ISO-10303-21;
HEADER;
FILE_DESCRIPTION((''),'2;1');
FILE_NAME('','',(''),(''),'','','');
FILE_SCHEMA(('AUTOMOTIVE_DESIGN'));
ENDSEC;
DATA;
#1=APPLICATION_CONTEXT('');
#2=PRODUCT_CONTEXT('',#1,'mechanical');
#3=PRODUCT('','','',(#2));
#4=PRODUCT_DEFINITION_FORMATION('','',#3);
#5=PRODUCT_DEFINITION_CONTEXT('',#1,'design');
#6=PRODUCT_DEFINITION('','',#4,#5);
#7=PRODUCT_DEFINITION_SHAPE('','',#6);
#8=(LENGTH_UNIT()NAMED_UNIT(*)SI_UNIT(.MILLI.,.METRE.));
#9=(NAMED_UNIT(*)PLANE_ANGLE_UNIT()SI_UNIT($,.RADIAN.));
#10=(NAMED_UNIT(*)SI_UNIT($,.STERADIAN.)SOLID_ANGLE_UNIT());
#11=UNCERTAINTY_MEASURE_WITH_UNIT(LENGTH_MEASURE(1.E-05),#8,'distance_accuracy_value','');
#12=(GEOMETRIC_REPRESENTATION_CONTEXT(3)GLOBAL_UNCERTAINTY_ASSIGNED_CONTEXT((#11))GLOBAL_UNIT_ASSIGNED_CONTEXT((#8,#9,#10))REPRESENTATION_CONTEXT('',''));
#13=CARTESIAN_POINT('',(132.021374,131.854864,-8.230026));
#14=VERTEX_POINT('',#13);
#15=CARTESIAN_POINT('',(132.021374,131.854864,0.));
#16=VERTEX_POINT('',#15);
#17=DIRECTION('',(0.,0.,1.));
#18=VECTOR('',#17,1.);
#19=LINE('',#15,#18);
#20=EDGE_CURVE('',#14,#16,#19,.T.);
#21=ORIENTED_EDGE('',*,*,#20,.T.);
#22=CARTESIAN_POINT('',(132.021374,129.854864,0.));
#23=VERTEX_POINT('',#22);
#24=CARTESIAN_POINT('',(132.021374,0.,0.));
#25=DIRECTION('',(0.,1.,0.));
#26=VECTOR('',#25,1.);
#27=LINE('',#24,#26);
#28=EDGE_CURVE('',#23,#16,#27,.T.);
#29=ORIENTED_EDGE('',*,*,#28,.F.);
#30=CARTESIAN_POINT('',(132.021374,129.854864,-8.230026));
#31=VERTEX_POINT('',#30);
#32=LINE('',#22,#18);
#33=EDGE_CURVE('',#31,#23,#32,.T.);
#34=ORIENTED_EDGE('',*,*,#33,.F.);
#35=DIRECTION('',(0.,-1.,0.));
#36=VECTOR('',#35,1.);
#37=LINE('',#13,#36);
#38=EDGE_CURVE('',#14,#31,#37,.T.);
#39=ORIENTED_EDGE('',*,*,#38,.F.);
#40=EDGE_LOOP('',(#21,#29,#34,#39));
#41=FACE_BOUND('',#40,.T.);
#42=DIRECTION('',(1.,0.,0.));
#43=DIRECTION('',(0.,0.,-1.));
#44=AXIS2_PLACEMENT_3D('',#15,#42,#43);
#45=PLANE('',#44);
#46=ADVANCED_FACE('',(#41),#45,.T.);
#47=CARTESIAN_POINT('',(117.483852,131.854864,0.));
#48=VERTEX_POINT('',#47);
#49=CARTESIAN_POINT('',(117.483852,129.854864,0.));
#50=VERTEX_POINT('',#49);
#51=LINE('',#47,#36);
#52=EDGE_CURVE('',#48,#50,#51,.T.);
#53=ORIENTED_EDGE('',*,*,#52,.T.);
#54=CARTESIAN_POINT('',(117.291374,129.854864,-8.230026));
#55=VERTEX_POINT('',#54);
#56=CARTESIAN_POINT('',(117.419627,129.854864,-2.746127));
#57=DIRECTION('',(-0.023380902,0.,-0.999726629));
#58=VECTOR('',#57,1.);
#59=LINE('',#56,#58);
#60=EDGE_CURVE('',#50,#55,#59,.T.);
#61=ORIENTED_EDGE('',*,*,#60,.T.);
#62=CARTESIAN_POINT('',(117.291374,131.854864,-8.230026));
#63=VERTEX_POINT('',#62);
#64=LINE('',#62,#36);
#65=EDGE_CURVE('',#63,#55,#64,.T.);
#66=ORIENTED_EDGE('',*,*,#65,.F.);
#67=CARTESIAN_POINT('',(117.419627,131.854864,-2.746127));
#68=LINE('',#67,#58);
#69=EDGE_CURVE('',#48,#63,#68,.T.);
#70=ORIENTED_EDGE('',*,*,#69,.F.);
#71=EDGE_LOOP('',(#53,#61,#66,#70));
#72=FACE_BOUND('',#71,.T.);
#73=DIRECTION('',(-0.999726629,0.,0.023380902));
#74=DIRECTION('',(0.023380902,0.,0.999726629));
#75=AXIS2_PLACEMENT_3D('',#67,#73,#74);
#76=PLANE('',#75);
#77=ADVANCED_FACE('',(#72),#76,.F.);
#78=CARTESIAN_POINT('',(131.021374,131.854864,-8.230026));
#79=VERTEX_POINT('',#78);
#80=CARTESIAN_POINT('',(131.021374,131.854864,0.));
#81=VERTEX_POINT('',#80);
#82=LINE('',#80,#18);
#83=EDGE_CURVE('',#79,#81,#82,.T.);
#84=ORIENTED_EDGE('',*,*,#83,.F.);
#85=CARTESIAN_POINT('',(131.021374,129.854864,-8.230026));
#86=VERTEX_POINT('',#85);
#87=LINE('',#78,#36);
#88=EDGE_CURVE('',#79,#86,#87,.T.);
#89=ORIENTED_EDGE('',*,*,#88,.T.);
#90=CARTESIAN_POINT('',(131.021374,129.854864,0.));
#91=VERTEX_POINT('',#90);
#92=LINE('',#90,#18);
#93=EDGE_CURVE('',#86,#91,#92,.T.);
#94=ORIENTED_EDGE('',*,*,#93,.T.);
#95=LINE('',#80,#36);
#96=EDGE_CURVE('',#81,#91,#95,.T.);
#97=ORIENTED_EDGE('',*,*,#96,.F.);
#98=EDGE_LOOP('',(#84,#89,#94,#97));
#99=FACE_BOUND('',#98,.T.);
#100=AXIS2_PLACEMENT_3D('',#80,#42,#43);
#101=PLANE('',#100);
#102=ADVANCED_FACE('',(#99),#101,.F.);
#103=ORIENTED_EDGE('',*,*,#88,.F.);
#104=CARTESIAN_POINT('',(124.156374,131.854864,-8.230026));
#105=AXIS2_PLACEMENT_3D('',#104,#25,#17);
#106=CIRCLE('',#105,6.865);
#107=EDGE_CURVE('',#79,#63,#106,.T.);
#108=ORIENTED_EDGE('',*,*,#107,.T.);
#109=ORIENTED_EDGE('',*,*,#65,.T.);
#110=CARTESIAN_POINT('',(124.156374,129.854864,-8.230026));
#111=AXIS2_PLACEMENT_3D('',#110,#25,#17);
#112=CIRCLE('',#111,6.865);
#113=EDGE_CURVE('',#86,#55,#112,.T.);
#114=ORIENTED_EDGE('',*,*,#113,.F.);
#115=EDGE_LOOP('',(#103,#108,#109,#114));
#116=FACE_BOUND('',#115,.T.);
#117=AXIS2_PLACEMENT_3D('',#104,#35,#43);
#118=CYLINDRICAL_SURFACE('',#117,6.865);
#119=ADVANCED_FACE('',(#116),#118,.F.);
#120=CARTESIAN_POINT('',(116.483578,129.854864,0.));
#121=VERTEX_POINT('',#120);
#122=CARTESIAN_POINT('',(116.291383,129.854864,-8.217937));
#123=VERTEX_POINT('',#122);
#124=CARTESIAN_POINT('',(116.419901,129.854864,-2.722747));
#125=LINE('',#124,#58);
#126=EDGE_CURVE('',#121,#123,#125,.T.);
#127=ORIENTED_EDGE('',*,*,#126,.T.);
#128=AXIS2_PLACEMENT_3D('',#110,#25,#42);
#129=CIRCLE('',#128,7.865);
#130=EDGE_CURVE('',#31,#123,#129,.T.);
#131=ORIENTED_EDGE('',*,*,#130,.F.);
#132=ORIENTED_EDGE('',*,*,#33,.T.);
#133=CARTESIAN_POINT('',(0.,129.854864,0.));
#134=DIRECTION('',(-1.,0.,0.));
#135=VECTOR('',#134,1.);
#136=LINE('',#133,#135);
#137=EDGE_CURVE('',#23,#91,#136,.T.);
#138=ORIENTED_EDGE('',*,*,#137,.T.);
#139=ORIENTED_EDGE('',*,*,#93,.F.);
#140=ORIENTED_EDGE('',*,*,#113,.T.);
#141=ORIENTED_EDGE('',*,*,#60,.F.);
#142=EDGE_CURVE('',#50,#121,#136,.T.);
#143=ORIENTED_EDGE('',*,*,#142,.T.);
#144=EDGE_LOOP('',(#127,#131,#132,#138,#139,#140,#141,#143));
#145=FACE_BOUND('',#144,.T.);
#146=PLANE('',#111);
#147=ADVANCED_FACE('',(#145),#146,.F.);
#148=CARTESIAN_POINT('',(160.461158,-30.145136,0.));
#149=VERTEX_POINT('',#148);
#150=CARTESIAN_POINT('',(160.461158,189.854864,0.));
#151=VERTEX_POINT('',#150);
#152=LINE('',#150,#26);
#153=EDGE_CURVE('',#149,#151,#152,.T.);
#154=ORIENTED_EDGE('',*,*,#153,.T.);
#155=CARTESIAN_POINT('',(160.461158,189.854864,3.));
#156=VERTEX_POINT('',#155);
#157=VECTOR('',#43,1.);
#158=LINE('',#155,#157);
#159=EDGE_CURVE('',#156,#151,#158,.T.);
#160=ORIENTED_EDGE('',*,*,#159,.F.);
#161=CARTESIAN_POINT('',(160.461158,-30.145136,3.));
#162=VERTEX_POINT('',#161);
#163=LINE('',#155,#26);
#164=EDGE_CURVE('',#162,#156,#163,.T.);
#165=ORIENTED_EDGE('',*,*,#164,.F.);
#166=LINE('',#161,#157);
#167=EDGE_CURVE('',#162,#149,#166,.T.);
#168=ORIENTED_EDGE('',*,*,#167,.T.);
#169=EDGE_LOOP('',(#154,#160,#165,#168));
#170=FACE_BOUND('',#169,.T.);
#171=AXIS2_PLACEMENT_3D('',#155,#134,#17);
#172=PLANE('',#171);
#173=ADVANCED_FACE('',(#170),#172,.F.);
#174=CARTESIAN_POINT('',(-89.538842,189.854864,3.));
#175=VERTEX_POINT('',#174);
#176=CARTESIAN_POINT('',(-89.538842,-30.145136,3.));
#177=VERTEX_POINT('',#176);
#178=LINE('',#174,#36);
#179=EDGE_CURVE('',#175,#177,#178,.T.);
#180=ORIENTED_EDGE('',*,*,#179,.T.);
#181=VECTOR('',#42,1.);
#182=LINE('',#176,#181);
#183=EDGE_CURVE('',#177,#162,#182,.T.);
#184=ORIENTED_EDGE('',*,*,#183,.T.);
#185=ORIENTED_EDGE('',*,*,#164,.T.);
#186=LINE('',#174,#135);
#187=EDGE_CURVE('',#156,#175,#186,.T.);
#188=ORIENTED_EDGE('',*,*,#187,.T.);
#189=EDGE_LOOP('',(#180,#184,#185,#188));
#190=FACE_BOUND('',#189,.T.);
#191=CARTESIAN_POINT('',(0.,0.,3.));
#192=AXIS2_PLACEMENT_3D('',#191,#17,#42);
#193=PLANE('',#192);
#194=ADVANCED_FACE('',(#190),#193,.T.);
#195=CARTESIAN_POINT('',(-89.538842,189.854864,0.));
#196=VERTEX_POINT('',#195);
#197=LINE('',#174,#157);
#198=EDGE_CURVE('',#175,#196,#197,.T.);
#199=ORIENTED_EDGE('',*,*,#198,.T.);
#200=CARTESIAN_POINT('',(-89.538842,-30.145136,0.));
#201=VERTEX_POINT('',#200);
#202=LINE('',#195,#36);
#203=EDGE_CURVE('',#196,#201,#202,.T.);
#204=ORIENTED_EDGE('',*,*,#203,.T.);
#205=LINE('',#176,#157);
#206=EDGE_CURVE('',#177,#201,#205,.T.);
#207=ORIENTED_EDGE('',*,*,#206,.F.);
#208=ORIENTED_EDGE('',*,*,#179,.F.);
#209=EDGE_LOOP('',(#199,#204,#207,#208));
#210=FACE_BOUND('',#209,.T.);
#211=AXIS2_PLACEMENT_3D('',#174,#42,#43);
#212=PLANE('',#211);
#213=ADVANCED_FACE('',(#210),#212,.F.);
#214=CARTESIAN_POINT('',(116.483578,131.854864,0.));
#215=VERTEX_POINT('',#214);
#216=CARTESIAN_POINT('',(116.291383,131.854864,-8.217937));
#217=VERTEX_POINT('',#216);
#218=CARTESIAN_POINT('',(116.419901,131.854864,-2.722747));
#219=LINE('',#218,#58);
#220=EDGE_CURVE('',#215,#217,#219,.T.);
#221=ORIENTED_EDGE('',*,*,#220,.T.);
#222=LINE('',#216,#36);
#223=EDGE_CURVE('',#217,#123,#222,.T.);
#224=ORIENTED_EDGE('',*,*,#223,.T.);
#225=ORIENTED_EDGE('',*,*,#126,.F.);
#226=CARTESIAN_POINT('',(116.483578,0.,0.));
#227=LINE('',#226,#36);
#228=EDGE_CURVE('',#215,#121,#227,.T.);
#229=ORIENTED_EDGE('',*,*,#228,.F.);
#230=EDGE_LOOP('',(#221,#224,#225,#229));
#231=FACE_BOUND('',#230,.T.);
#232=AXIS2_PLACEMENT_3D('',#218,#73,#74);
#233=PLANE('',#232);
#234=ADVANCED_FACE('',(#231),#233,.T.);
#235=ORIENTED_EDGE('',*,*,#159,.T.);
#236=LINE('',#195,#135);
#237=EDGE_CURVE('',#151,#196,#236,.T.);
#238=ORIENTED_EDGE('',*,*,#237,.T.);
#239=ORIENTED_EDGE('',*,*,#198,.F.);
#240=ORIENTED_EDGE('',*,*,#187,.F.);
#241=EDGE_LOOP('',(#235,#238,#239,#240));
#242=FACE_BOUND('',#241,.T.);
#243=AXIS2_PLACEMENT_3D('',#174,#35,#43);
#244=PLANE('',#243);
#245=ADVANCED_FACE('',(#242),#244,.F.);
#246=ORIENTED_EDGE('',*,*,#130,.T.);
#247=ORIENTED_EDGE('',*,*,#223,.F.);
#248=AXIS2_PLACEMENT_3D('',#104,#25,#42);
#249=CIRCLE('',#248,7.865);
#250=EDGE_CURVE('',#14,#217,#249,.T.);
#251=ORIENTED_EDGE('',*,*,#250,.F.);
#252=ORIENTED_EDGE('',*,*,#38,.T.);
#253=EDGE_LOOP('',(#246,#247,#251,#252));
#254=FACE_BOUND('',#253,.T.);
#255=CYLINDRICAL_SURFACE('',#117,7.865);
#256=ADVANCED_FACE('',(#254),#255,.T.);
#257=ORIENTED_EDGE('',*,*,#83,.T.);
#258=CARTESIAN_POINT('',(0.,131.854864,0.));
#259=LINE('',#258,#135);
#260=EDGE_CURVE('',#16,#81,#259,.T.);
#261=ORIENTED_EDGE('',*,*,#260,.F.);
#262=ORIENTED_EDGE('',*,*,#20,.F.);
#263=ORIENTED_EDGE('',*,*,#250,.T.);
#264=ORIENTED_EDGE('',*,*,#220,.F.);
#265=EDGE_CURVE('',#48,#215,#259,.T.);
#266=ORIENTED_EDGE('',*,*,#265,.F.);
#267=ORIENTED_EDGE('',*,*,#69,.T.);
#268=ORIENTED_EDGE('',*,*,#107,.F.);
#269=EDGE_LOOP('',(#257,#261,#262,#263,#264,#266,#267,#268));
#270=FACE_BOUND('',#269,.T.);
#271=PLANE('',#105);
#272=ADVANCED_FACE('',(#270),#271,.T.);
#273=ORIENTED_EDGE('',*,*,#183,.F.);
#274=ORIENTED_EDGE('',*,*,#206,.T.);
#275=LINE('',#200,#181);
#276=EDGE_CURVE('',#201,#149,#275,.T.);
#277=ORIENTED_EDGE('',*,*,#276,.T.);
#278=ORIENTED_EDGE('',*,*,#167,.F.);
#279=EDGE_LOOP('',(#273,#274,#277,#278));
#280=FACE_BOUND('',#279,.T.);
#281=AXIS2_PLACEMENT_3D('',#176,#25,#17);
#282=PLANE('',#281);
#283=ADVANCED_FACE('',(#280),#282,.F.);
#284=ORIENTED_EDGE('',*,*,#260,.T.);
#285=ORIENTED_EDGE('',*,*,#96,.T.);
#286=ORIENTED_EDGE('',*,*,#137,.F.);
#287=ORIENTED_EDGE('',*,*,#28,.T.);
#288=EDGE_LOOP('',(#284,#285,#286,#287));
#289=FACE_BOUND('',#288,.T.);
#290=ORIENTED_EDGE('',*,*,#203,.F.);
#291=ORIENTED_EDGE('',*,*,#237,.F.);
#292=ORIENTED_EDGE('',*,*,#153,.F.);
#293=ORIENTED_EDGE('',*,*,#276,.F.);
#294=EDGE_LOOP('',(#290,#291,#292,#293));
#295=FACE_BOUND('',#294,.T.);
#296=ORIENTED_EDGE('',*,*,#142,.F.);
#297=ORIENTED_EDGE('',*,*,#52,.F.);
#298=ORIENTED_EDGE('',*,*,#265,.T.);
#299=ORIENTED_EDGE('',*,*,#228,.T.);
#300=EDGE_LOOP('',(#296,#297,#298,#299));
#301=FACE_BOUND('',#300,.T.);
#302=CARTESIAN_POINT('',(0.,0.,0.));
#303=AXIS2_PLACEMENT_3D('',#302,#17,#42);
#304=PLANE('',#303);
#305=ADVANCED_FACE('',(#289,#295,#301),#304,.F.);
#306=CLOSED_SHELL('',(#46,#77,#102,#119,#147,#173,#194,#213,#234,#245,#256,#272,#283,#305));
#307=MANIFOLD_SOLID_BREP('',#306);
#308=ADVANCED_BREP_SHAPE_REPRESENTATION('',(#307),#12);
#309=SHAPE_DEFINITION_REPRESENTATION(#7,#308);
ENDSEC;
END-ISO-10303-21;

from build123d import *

# Parameters (mm, degrees)
SKETCH1_W           = 250
SKETCH1_H           = 220
BOSS_EXTRUDE1_DEPTH = 3
EXTRUDE_THIN1_DEPTH = 2


with BuildPart() as part:
    # Sketch1 → Boss-Extrude1 (new body)
    with BuildSketch(Plane.XY):
        with Locations((35.461157826, 79.854863969)):
            Rectangle(SKETCH1_W, SKETCH1_H)
    extrude(amount=BOSS_EXTRUDE1_DEPTH)

    # Sketch2 → Extrude-Thin1 (add)
    with BuildSketch(Plane(origin=(0, 129.854863969, 0), x_dir=(1, 0, 0), z_dir=(0, 1, 0))):
        with BuildLine():
            ThreePointArc((117.298879334, 7.909094463), (123.99586371, 15.093149798), (131.021373602, 8.230026488))
            Line((131.021373602, 8.230026488), (131.021373602, 0))
            Line((131.021373602, 0), (132.021373602, 0))
            Line((132.021373602, 0), (132.021373602, 8.230026488))
            ThreePointArc((132.021373602, 8.230026488), (123.972482809, 16.092876428), (116.299972667, 7.862345443))
            Line((116.299972667, 7.862345443), (117.298879334, 7.909094463))
        make_face()
        Polygon((117.483851661, 0), (117.291373602, 8.230026488), (116.291646972, 8.206645586), (116.484125031, -0.023380902), align=None)
    extrude(amount=EXTRUDE_THIN1_DEPTH)


solid = part.part
